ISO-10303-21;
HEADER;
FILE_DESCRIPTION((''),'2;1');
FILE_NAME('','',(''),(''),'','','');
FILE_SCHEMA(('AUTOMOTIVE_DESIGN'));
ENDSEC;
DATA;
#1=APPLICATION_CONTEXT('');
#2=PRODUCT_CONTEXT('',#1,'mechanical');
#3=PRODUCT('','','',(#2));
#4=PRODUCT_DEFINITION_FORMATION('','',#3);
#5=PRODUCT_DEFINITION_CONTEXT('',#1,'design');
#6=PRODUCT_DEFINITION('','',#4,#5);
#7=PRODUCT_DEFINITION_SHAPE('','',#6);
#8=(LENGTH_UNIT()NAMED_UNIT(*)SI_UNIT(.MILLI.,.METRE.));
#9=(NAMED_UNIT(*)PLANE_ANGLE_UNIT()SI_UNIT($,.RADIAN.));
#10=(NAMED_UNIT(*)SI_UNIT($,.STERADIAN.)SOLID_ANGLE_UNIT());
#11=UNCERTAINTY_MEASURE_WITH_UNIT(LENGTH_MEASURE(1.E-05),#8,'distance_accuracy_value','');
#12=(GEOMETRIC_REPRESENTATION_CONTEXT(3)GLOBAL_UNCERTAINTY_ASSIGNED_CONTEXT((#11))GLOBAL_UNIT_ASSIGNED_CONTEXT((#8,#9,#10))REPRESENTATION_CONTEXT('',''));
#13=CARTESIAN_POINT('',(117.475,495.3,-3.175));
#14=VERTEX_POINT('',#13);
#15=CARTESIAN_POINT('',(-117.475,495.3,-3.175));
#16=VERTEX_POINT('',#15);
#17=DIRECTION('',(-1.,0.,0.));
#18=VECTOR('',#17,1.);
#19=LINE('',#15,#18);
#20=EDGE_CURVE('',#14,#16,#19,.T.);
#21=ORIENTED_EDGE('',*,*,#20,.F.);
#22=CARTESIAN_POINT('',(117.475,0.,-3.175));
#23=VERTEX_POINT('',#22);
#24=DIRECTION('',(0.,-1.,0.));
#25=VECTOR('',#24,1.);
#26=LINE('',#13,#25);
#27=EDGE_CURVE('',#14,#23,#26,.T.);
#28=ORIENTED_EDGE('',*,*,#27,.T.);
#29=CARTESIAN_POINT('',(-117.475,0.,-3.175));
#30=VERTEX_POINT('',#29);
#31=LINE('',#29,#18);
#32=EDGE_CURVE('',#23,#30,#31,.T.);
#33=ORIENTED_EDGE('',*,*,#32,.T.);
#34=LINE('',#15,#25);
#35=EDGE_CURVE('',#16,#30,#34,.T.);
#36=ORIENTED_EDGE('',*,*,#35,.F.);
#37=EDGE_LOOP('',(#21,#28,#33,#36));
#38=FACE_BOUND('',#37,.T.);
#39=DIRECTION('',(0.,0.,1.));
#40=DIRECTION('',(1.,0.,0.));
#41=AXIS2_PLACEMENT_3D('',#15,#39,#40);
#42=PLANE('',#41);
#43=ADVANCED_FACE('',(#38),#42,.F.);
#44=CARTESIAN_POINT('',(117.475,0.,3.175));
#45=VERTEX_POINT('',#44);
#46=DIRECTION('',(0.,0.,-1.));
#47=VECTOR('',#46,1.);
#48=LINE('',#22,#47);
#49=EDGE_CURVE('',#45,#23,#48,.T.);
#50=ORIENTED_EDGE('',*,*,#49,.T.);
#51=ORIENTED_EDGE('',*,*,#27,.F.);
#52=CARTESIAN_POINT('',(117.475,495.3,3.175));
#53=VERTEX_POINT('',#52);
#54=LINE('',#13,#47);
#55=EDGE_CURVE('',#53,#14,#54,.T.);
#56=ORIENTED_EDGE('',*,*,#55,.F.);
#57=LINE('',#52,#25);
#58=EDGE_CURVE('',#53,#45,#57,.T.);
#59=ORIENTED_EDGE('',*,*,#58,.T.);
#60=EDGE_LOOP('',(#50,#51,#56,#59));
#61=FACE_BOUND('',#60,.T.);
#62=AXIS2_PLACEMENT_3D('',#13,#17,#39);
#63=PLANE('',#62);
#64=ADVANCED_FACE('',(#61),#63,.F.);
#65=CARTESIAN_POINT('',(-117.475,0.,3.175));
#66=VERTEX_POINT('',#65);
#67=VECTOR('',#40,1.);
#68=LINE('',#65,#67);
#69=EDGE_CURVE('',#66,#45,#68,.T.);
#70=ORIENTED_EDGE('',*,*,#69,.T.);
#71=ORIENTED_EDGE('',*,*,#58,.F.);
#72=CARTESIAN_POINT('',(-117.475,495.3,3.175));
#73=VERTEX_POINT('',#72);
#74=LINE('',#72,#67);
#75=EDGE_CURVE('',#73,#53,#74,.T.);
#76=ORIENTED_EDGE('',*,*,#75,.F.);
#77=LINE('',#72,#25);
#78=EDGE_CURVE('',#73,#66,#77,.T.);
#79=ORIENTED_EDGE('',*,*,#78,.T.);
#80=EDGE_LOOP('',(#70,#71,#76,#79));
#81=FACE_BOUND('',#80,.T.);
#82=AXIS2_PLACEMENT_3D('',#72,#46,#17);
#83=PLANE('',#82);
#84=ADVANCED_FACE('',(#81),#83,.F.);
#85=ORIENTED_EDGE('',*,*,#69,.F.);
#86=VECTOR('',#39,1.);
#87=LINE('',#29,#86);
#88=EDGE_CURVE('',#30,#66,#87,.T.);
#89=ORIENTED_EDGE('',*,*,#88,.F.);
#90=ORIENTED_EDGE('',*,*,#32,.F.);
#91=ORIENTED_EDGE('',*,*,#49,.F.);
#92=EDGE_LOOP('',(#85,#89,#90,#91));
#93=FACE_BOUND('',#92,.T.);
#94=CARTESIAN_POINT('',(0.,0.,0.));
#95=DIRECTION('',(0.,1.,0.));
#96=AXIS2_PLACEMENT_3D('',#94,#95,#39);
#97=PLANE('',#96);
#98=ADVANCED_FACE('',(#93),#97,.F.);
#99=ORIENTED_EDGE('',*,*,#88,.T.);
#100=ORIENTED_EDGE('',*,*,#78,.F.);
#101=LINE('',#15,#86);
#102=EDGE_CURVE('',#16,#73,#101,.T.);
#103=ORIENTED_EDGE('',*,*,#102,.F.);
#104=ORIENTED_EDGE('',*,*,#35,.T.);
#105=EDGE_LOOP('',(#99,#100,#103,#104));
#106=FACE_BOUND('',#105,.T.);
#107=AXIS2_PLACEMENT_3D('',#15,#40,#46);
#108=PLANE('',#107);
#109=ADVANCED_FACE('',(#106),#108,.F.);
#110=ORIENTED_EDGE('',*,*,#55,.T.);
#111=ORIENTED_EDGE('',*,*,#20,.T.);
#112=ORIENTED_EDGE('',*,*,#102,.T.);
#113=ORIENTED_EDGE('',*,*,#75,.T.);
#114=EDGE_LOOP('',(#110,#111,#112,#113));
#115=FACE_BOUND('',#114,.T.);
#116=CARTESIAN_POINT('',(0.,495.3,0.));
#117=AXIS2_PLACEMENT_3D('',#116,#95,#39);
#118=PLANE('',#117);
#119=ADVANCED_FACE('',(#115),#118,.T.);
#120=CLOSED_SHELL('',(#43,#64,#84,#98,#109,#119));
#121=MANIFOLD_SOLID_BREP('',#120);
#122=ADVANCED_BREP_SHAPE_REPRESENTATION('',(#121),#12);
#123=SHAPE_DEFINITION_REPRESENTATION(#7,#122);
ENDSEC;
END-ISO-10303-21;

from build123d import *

# Parameters (mm, degrees)
CROQUIS2_W              = 234.95
CROQUIS2_H              = 6.35
SALIENTE_EXTRUIR1_DEPTH = 495.3


with BuildPart() as part:
    # Croquis2 → Saliente-Extruir1 (new body)
    with BuildSketch(Plane(origin=(0, 0, 0), x_dir=(1, 0, 0), z_dir=(0, 1, 0))):
        Rectangle(CROQUIS2_W, CROQUIS2_H)
    extrude(amount=SALIENTE_EXTRUIR1_DEPTH)


solid = part.part
